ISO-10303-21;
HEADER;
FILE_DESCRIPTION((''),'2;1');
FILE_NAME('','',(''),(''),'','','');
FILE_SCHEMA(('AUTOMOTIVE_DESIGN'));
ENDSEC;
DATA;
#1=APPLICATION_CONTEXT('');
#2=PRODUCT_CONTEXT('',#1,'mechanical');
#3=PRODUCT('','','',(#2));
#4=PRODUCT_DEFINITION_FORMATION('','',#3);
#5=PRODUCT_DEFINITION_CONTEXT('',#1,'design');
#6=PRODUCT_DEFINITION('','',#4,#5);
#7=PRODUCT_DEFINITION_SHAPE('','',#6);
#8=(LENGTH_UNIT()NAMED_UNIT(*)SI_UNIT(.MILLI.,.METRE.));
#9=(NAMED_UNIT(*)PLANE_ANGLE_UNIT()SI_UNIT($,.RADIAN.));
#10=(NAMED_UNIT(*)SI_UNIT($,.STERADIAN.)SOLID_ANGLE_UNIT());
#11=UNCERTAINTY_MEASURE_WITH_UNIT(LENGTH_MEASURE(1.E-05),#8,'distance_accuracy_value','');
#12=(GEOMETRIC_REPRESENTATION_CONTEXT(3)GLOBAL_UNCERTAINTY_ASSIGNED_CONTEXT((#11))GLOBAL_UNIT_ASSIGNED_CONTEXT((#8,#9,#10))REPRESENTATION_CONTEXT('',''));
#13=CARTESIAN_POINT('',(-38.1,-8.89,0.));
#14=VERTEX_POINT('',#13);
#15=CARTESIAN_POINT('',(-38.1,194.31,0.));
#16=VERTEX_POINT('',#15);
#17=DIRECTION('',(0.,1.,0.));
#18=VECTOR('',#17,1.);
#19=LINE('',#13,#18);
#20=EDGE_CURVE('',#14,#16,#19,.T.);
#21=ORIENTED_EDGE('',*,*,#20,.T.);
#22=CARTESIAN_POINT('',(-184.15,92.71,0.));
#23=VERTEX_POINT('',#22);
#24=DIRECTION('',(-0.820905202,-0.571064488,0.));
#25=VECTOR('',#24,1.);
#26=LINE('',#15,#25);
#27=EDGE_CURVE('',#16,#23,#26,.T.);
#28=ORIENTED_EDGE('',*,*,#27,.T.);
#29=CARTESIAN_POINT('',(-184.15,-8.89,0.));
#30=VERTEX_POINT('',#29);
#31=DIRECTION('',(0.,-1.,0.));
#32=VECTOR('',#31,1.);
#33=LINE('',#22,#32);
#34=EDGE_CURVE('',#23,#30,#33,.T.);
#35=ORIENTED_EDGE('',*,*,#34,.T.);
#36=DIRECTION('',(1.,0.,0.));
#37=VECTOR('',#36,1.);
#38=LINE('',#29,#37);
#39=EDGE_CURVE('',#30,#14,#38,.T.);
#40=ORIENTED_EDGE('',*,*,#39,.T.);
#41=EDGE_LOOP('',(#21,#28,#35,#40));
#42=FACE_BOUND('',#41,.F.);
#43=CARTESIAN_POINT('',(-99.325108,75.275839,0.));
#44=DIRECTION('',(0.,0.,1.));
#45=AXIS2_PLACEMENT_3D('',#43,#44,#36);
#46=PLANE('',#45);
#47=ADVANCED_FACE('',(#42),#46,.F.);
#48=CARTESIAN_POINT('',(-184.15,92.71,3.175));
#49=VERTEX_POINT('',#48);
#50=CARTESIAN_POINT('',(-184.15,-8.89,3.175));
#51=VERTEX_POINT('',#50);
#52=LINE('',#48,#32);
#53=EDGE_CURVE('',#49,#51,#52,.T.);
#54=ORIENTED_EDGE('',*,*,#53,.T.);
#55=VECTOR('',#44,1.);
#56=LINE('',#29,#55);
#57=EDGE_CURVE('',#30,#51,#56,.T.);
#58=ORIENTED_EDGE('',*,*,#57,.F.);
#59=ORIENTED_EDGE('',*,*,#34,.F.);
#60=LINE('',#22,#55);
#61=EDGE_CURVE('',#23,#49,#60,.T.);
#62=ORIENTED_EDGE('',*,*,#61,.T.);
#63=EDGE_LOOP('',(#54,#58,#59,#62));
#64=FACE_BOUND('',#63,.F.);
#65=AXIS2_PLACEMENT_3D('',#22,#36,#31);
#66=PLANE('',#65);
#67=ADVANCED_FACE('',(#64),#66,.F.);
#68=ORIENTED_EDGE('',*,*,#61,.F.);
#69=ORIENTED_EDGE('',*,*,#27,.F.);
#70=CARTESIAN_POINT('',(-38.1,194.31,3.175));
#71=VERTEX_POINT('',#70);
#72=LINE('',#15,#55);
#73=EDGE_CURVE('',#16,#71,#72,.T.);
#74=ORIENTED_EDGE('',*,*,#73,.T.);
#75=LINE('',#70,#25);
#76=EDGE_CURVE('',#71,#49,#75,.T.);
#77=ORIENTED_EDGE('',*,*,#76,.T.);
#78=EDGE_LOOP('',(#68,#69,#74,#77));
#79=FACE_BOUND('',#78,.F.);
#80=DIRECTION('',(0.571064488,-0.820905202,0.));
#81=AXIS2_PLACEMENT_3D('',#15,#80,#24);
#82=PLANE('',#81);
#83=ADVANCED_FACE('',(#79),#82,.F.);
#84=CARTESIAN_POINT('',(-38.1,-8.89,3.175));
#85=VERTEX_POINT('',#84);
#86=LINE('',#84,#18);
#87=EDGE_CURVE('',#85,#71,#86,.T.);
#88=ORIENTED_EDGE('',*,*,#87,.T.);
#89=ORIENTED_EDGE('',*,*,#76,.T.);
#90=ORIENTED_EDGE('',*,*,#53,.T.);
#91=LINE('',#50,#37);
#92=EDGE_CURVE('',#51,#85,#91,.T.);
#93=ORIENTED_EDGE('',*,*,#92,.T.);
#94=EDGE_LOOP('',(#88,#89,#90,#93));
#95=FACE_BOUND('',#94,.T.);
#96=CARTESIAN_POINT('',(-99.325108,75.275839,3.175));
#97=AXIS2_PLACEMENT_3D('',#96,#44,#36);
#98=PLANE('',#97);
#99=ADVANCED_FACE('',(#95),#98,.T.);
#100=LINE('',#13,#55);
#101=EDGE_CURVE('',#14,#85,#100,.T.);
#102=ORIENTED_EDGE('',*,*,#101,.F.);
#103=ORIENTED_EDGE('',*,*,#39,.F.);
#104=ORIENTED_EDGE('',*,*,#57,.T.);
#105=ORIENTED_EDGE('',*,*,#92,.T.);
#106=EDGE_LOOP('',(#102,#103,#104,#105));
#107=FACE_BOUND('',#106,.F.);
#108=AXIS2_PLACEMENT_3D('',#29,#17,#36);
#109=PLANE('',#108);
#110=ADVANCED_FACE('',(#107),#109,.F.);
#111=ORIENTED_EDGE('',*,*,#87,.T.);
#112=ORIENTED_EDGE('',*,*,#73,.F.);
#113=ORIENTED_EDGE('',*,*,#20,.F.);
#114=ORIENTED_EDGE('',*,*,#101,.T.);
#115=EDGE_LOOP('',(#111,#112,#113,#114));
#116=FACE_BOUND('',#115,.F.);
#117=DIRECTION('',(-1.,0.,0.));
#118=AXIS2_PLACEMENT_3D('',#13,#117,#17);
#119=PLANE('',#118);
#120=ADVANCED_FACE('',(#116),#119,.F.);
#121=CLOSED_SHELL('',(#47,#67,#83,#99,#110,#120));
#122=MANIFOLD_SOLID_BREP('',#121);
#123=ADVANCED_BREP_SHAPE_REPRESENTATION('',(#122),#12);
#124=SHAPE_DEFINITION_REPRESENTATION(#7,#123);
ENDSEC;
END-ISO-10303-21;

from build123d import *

# Parameters (mm, degrees)
BOSS_EXTRUDE1_DEPTH = 3.175


with BuildPart() as part:
    # Sketch1 → Boss-Extrude1 (new body)
    with BuildSketch(Plane.XY):
        Polygon((-184.15, -8.89), (-38.1, -8.89), (-38.1, 0), (-38.1, 194.31), (-184.15, 92.71), align=None)
    extrude(amount=BOSS_EXTRUDE1_DEPTH)


solid = part.part
